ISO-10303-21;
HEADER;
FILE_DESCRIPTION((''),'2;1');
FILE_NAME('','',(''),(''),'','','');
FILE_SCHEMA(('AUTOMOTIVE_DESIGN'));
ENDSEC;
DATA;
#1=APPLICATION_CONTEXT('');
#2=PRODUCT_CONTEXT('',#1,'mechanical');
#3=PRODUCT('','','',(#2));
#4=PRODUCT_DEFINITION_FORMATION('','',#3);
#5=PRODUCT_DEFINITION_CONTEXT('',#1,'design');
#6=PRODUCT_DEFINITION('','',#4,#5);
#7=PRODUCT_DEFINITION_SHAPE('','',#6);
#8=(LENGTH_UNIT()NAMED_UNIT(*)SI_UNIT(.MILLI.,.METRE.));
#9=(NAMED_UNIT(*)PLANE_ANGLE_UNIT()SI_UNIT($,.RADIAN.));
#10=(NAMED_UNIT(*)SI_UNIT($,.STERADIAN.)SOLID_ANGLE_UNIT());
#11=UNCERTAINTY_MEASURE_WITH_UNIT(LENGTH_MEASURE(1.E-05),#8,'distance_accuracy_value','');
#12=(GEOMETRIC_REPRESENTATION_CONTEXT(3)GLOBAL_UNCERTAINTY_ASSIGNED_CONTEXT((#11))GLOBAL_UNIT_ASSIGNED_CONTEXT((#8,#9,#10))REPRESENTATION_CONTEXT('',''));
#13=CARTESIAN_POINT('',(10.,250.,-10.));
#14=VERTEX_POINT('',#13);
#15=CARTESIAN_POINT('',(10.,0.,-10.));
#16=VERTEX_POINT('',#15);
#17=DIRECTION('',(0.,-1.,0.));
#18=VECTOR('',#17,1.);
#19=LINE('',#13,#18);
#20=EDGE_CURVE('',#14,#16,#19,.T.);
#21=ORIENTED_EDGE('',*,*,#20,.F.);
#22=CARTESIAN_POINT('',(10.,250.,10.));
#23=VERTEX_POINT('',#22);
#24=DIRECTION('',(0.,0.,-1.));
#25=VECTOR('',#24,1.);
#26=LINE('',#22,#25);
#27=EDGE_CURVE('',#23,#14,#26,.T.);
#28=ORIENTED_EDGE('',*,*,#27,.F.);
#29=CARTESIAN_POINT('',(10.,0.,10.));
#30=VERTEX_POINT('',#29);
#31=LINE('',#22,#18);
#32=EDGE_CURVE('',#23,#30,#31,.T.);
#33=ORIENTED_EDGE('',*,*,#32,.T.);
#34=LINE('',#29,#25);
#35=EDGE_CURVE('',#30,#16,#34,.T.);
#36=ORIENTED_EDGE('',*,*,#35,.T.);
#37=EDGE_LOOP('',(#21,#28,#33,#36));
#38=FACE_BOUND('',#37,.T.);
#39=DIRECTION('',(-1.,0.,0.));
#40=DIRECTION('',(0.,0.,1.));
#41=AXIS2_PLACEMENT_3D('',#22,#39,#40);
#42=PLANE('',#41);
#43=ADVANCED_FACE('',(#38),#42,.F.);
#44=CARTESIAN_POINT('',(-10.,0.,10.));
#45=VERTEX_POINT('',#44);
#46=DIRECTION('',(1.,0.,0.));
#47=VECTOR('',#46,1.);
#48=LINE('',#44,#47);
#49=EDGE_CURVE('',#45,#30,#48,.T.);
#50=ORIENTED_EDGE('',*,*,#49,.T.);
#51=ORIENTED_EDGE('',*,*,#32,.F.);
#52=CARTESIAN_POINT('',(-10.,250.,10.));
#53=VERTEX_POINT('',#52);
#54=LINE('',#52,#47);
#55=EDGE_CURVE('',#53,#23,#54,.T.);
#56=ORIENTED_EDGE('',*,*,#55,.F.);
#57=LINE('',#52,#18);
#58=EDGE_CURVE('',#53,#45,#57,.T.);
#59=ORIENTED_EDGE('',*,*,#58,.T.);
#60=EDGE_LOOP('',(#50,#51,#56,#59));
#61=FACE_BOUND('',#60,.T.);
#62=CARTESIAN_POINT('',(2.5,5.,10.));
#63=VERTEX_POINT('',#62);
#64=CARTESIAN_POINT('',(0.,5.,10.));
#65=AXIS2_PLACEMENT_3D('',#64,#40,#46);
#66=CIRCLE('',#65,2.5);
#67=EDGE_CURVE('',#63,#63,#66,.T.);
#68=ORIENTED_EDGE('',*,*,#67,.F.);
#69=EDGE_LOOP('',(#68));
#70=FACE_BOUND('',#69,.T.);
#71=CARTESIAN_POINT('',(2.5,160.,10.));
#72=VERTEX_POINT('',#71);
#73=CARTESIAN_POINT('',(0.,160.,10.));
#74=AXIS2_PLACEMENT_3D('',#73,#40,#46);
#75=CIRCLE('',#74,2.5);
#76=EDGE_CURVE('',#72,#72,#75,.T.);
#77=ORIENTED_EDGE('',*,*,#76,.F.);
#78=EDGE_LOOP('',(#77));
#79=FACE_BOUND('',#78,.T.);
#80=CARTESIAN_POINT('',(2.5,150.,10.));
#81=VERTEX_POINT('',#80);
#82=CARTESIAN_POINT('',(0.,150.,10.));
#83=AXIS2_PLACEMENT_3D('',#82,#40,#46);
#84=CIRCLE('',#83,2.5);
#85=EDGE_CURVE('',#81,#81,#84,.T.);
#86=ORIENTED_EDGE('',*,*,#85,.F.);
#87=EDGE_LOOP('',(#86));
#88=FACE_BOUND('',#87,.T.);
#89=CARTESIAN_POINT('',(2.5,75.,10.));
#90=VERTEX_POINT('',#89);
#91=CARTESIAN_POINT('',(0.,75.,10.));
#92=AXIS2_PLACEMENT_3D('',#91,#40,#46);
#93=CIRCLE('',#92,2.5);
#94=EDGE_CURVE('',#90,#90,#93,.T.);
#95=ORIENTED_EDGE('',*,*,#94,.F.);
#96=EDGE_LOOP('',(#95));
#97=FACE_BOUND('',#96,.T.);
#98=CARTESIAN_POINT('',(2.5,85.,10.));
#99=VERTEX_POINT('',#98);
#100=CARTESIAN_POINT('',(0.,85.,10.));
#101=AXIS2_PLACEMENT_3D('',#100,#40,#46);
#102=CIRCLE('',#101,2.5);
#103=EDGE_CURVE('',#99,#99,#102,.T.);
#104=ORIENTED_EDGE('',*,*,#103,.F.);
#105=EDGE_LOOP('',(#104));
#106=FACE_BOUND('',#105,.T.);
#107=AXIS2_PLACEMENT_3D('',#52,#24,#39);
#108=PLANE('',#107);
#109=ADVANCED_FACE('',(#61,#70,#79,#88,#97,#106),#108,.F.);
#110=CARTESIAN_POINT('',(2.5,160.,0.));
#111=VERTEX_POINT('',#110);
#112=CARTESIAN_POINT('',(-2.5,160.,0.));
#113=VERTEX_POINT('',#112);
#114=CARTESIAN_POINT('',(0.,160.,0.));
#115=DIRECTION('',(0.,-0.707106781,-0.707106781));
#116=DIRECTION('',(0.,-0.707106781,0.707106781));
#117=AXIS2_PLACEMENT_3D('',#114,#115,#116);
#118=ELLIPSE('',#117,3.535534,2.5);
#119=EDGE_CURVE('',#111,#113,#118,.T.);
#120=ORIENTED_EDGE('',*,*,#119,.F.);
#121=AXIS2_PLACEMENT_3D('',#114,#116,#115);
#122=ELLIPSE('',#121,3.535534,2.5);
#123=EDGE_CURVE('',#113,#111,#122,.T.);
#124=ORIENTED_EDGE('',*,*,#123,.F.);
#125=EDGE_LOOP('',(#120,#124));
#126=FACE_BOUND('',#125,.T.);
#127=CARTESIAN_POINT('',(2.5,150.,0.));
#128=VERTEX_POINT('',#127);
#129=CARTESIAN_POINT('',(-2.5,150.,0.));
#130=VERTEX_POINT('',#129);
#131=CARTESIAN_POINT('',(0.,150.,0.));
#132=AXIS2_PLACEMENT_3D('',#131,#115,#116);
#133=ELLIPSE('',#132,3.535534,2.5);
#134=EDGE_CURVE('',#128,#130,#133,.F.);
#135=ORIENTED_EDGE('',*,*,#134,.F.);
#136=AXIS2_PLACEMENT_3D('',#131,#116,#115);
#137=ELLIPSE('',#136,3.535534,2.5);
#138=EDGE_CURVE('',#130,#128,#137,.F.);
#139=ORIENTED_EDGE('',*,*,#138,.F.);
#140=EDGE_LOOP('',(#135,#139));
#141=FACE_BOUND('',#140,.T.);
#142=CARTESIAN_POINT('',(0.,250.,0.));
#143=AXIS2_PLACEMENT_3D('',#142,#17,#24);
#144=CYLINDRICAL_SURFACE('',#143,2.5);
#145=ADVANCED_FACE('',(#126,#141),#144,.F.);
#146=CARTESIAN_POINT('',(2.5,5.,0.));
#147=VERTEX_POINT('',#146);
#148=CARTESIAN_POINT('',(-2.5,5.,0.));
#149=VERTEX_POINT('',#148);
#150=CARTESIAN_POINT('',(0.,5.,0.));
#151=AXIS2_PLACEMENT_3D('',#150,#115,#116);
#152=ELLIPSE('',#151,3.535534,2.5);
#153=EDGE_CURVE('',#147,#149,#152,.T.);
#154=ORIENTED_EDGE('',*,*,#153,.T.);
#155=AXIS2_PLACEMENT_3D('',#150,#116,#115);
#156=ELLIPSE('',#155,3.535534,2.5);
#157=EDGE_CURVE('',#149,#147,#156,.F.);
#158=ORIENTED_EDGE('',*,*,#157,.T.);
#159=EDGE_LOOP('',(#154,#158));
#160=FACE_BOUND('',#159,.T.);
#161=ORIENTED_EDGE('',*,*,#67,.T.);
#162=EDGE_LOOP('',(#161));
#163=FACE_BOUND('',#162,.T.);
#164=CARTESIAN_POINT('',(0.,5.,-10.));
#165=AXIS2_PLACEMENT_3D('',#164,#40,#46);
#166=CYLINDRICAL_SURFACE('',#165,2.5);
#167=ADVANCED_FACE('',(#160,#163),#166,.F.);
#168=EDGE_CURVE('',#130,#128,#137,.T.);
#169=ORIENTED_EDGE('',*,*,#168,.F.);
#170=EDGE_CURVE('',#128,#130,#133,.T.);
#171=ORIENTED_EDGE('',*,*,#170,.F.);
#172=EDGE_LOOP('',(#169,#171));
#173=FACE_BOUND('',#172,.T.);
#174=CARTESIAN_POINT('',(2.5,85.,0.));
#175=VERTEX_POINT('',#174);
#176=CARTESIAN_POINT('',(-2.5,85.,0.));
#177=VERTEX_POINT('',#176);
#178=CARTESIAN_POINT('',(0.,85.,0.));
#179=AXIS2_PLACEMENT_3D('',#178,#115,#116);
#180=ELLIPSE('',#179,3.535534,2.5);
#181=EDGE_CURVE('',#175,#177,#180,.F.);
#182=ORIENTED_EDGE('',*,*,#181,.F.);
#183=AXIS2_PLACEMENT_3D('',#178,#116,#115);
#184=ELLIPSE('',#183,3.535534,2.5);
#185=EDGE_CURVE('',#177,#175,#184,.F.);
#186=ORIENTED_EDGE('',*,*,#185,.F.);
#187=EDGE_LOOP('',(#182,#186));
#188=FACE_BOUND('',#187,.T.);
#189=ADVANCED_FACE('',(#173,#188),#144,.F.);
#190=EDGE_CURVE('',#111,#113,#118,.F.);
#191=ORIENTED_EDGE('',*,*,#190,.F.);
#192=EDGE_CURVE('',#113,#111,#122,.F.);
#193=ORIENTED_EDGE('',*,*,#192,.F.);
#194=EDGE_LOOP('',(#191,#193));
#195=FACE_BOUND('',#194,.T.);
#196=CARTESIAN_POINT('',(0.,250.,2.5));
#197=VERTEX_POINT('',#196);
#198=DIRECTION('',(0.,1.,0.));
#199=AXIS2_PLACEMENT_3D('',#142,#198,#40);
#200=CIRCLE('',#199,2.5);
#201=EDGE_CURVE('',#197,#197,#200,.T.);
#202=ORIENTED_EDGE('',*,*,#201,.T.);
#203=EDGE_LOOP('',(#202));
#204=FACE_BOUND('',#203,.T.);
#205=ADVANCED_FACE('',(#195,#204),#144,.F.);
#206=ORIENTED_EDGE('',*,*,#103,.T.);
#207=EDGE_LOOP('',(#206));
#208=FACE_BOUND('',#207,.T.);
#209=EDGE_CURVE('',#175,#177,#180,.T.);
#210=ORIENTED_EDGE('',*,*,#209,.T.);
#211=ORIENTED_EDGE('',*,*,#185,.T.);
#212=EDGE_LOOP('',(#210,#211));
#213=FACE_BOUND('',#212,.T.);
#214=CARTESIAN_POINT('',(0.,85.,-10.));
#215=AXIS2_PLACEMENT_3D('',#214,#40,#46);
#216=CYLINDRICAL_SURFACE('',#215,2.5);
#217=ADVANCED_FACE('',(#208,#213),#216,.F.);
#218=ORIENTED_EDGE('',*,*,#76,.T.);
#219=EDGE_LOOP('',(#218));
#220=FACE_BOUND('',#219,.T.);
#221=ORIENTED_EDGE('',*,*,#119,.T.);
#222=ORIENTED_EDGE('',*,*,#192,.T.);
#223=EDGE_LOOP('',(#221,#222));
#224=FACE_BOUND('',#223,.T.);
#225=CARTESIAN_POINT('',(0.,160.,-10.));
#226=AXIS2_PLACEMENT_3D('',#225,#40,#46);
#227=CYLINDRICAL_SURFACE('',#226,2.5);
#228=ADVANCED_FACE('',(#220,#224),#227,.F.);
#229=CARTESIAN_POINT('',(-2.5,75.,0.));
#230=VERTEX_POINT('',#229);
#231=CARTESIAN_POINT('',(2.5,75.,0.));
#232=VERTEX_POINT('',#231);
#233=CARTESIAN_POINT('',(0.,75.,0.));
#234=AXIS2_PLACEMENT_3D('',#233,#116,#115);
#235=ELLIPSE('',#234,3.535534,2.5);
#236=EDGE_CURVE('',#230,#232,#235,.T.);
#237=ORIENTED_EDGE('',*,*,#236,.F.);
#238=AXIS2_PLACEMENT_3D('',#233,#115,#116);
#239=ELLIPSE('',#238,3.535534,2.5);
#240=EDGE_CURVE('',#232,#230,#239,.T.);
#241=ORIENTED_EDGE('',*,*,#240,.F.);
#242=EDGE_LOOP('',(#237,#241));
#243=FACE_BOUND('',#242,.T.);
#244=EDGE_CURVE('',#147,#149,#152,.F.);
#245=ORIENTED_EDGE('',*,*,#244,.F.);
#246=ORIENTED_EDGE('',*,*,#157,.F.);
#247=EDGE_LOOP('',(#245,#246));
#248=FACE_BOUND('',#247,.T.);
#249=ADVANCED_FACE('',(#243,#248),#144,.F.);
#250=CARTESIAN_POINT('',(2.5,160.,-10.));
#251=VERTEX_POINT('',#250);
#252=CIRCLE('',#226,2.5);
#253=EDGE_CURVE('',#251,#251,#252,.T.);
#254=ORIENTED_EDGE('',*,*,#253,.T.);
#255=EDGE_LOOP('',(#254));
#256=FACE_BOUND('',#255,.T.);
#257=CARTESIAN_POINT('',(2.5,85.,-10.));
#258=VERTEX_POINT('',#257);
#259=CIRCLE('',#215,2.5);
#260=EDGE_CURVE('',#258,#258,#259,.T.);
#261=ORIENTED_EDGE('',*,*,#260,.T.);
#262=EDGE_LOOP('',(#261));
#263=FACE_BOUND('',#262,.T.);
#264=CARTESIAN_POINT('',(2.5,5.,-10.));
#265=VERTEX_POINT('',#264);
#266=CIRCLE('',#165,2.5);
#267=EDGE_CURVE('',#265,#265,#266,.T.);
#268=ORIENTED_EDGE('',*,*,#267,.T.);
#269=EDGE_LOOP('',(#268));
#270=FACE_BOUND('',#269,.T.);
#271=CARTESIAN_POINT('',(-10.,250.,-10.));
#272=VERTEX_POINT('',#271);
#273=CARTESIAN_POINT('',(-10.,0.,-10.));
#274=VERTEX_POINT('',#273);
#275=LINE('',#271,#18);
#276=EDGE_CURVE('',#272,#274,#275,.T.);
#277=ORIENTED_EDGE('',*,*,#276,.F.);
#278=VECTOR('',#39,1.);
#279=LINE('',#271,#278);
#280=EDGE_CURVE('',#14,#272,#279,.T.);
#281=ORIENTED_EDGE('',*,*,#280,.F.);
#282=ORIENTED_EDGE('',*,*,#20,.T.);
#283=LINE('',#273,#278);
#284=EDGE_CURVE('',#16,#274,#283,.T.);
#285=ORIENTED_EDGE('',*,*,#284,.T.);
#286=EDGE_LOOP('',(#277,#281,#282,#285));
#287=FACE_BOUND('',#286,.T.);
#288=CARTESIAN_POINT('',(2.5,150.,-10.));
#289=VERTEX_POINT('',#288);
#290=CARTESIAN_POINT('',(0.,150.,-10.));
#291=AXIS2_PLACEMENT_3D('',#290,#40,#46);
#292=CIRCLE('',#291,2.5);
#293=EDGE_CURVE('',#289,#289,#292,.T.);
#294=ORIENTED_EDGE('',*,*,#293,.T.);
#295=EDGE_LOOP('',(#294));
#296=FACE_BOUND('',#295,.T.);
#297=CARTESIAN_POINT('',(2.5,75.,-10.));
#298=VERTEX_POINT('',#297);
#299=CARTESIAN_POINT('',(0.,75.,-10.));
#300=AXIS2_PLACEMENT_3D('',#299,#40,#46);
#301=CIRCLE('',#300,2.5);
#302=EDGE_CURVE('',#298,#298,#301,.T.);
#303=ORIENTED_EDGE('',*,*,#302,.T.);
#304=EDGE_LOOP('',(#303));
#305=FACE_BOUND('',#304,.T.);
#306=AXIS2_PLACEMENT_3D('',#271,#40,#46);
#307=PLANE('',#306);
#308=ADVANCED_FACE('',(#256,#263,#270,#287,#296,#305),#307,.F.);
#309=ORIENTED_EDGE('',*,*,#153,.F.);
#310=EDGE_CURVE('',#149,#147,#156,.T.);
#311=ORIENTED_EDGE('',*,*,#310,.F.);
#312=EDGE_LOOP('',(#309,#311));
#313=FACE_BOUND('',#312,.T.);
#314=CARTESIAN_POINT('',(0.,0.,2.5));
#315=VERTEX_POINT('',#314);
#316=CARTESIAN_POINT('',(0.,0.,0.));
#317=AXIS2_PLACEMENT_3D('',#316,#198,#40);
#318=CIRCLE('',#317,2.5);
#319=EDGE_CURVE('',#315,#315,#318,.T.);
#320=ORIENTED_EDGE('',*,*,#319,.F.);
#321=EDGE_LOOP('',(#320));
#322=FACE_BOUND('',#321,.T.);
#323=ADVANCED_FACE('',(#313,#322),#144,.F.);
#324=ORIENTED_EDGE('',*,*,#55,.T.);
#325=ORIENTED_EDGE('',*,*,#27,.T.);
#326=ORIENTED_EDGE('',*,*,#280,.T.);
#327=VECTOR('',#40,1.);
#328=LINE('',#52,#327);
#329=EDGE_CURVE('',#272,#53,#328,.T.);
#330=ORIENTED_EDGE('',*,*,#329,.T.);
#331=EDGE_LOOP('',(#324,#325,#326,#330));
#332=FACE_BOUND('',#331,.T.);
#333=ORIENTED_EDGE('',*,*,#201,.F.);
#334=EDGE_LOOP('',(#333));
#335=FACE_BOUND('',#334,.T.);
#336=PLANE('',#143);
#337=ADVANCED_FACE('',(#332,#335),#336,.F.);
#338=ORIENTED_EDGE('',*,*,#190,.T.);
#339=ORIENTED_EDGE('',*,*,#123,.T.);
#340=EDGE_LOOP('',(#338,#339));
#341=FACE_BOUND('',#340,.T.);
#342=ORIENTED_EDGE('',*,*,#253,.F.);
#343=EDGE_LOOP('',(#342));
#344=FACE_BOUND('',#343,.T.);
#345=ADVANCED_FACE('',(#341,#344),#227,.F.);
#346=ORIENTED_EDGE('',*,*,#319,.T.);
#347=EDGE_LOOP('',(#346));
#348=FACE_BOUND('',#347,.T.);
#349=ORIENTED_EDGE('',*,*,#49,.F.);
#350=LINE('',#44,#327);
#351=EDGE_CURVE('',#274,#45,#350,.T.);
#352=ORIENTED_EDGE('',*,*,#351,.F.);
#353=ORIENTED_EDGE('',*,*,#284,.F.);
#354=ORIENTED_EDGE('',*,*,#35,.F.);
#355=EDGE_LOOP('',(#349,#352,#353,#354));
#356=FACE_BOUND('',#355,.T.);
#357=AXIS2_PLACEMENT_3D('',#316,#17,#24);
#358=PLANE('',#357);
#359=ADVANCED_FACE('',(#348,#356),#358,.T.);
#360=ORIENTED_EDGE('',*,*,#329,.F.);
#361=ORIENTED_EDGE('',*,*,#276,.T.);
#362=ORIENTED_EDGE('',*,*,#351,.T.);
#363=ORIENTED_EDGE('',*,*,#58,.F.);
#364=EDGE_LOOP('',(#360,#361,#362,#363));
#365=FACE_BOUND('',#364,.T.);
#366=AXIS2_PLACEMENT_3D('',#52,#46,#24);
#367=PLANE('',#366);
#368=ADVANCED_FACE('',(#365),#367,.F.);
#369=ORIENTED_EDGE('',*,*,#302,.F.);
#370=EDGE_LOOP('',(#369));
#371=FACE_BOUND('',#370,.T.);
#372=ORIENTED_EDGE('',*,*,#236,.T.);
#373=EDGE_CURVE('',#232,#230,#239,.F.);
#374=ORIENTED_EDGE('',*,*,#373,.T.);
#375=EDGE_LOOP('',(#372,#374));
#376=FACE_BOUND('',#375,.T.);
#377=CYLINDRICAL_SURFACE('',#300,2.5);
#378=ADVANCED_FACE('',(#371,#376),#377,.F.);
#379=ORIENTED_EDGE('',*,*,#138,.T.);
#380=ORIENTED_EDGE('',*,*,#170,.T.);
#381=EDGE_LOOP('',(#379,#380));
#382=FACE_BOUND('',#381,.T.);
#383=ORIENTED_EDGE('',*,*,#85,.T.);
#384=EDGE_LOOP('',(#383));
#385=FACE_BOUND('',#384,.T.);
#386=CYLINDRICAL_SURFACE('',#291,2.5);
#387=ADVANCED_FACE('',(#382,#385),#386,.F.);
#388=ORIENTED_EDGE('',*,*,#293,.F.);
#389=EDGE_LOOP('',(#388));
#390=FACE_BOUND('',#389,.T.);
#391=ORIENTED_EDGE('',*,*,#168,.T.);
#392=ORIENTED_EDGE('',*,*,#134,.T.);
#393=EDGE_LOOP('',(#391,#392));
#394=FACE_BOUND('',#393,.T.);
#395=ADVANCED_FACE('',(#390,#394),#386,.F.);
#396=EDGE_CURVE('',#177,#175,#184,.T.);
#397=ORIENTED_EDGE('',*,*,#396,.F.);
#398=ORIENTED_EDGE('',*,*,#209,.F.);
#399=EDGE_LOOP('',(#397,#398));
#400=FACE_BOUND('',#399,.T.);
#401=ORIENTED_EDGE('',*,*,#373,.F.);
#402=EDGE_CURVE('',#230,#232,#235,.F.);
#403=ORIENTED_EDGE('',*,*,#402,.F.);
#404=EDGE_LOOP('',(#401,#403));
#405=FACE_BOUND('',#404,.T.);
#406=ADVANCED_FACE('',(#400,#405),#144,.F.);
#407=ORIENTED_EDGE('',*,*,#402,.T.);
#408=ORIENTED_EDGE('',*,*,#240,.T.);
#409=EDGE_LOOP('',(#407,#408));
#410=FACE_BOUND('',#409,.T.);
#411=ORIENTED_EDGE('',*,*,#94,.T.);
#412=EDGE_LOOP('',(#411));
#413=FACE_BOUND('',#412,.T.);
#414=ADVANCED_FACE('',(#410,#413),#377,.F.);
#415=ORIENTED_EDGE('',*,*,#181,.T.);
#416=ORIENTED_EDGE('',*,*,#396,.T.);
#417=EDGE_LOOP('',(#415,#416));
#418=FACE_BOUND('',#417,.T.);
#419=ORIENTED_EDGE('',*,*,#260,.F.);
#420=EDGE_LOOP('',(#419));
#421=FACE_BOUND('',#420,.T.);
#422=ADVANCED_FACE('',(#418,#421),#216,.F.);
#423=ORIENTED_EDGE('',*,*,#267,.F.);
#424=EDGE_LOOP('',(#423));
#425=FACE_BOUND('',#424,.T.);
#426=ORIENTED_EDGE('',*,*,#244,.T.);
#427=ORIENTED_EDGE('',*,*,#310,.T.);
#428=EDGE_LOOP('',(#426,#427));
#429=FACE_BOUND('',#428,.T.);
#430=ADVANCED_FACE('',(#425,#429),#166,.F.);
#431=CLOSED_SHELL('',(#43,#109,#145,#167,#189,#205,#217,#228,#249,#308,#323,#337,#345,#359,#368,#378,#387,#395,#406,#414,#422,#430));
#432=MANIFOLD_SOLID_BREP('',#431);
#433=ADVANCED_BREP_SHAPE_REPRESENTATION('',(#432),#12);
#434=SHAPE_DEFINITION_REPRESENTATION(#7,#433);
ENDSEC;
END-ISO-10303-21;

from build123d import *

# Parameters (mm, degrees)
SKETCH2_W           = 20
SKETCH2_H           = 20
SKETCH2_R           = 2.5
BOSS_EXTRUDE1_DEPTH = 250
SKETCH3_R           = 2.5
CUT_EXTRUDE1_DEPTH  = 251.99800796
SKETCH4_R           = 2.5
CUT_EXTRUDE2_DEPTH  = 251.99800796


with BuildPart() as part:
    # Sketch2 → Boss-Extrude1 (new body)
    with BuildSketch(Plane(origin=(0, 0, 0), x_dir=(1, 0, 0), z_dir=(0, 1, 0))):
        Rectangle(SKETCH2_W, SKETCH2_H)
        with Locations(Location((0, 0, 0), (0, 0, 270))):
            Circle(SKETCH2_R, mode=Mode.SUBTRACT)
    extrude(amount=BOSS_EXTRUDE1_DEPTH)

    # Sketch3 → Cut-Extrude1 (cut, through all)
    with BuildSketch(Plane.XY.offset(10)):
        with Locations((0, 5)):
            Circle(SKETCH3_R)
    extrude(amount=-CUT_EXTRUDE1_DEPTH, mode=Mode.SUBTRACT)

    # Sketch4 → Cut-Extrude2 (cut, through all)
    with BuildSketch(Plane.XY.offset(10)):
        with Locations((0, 75)):
            Circle(SKETCH4_R)
        with Locations((0, 85)):
            Circle(SKETCH4_R)
        with Locations((0, 150)):
            Circle(SKETCH4_R)
        with Locations((0, 160)):
            Circle(SKETCH4_R)
    extrude(amount=-CUT_EXTRUDE2_DEPTH, mode=Mode.SUBTRACT)


solid = part.part
